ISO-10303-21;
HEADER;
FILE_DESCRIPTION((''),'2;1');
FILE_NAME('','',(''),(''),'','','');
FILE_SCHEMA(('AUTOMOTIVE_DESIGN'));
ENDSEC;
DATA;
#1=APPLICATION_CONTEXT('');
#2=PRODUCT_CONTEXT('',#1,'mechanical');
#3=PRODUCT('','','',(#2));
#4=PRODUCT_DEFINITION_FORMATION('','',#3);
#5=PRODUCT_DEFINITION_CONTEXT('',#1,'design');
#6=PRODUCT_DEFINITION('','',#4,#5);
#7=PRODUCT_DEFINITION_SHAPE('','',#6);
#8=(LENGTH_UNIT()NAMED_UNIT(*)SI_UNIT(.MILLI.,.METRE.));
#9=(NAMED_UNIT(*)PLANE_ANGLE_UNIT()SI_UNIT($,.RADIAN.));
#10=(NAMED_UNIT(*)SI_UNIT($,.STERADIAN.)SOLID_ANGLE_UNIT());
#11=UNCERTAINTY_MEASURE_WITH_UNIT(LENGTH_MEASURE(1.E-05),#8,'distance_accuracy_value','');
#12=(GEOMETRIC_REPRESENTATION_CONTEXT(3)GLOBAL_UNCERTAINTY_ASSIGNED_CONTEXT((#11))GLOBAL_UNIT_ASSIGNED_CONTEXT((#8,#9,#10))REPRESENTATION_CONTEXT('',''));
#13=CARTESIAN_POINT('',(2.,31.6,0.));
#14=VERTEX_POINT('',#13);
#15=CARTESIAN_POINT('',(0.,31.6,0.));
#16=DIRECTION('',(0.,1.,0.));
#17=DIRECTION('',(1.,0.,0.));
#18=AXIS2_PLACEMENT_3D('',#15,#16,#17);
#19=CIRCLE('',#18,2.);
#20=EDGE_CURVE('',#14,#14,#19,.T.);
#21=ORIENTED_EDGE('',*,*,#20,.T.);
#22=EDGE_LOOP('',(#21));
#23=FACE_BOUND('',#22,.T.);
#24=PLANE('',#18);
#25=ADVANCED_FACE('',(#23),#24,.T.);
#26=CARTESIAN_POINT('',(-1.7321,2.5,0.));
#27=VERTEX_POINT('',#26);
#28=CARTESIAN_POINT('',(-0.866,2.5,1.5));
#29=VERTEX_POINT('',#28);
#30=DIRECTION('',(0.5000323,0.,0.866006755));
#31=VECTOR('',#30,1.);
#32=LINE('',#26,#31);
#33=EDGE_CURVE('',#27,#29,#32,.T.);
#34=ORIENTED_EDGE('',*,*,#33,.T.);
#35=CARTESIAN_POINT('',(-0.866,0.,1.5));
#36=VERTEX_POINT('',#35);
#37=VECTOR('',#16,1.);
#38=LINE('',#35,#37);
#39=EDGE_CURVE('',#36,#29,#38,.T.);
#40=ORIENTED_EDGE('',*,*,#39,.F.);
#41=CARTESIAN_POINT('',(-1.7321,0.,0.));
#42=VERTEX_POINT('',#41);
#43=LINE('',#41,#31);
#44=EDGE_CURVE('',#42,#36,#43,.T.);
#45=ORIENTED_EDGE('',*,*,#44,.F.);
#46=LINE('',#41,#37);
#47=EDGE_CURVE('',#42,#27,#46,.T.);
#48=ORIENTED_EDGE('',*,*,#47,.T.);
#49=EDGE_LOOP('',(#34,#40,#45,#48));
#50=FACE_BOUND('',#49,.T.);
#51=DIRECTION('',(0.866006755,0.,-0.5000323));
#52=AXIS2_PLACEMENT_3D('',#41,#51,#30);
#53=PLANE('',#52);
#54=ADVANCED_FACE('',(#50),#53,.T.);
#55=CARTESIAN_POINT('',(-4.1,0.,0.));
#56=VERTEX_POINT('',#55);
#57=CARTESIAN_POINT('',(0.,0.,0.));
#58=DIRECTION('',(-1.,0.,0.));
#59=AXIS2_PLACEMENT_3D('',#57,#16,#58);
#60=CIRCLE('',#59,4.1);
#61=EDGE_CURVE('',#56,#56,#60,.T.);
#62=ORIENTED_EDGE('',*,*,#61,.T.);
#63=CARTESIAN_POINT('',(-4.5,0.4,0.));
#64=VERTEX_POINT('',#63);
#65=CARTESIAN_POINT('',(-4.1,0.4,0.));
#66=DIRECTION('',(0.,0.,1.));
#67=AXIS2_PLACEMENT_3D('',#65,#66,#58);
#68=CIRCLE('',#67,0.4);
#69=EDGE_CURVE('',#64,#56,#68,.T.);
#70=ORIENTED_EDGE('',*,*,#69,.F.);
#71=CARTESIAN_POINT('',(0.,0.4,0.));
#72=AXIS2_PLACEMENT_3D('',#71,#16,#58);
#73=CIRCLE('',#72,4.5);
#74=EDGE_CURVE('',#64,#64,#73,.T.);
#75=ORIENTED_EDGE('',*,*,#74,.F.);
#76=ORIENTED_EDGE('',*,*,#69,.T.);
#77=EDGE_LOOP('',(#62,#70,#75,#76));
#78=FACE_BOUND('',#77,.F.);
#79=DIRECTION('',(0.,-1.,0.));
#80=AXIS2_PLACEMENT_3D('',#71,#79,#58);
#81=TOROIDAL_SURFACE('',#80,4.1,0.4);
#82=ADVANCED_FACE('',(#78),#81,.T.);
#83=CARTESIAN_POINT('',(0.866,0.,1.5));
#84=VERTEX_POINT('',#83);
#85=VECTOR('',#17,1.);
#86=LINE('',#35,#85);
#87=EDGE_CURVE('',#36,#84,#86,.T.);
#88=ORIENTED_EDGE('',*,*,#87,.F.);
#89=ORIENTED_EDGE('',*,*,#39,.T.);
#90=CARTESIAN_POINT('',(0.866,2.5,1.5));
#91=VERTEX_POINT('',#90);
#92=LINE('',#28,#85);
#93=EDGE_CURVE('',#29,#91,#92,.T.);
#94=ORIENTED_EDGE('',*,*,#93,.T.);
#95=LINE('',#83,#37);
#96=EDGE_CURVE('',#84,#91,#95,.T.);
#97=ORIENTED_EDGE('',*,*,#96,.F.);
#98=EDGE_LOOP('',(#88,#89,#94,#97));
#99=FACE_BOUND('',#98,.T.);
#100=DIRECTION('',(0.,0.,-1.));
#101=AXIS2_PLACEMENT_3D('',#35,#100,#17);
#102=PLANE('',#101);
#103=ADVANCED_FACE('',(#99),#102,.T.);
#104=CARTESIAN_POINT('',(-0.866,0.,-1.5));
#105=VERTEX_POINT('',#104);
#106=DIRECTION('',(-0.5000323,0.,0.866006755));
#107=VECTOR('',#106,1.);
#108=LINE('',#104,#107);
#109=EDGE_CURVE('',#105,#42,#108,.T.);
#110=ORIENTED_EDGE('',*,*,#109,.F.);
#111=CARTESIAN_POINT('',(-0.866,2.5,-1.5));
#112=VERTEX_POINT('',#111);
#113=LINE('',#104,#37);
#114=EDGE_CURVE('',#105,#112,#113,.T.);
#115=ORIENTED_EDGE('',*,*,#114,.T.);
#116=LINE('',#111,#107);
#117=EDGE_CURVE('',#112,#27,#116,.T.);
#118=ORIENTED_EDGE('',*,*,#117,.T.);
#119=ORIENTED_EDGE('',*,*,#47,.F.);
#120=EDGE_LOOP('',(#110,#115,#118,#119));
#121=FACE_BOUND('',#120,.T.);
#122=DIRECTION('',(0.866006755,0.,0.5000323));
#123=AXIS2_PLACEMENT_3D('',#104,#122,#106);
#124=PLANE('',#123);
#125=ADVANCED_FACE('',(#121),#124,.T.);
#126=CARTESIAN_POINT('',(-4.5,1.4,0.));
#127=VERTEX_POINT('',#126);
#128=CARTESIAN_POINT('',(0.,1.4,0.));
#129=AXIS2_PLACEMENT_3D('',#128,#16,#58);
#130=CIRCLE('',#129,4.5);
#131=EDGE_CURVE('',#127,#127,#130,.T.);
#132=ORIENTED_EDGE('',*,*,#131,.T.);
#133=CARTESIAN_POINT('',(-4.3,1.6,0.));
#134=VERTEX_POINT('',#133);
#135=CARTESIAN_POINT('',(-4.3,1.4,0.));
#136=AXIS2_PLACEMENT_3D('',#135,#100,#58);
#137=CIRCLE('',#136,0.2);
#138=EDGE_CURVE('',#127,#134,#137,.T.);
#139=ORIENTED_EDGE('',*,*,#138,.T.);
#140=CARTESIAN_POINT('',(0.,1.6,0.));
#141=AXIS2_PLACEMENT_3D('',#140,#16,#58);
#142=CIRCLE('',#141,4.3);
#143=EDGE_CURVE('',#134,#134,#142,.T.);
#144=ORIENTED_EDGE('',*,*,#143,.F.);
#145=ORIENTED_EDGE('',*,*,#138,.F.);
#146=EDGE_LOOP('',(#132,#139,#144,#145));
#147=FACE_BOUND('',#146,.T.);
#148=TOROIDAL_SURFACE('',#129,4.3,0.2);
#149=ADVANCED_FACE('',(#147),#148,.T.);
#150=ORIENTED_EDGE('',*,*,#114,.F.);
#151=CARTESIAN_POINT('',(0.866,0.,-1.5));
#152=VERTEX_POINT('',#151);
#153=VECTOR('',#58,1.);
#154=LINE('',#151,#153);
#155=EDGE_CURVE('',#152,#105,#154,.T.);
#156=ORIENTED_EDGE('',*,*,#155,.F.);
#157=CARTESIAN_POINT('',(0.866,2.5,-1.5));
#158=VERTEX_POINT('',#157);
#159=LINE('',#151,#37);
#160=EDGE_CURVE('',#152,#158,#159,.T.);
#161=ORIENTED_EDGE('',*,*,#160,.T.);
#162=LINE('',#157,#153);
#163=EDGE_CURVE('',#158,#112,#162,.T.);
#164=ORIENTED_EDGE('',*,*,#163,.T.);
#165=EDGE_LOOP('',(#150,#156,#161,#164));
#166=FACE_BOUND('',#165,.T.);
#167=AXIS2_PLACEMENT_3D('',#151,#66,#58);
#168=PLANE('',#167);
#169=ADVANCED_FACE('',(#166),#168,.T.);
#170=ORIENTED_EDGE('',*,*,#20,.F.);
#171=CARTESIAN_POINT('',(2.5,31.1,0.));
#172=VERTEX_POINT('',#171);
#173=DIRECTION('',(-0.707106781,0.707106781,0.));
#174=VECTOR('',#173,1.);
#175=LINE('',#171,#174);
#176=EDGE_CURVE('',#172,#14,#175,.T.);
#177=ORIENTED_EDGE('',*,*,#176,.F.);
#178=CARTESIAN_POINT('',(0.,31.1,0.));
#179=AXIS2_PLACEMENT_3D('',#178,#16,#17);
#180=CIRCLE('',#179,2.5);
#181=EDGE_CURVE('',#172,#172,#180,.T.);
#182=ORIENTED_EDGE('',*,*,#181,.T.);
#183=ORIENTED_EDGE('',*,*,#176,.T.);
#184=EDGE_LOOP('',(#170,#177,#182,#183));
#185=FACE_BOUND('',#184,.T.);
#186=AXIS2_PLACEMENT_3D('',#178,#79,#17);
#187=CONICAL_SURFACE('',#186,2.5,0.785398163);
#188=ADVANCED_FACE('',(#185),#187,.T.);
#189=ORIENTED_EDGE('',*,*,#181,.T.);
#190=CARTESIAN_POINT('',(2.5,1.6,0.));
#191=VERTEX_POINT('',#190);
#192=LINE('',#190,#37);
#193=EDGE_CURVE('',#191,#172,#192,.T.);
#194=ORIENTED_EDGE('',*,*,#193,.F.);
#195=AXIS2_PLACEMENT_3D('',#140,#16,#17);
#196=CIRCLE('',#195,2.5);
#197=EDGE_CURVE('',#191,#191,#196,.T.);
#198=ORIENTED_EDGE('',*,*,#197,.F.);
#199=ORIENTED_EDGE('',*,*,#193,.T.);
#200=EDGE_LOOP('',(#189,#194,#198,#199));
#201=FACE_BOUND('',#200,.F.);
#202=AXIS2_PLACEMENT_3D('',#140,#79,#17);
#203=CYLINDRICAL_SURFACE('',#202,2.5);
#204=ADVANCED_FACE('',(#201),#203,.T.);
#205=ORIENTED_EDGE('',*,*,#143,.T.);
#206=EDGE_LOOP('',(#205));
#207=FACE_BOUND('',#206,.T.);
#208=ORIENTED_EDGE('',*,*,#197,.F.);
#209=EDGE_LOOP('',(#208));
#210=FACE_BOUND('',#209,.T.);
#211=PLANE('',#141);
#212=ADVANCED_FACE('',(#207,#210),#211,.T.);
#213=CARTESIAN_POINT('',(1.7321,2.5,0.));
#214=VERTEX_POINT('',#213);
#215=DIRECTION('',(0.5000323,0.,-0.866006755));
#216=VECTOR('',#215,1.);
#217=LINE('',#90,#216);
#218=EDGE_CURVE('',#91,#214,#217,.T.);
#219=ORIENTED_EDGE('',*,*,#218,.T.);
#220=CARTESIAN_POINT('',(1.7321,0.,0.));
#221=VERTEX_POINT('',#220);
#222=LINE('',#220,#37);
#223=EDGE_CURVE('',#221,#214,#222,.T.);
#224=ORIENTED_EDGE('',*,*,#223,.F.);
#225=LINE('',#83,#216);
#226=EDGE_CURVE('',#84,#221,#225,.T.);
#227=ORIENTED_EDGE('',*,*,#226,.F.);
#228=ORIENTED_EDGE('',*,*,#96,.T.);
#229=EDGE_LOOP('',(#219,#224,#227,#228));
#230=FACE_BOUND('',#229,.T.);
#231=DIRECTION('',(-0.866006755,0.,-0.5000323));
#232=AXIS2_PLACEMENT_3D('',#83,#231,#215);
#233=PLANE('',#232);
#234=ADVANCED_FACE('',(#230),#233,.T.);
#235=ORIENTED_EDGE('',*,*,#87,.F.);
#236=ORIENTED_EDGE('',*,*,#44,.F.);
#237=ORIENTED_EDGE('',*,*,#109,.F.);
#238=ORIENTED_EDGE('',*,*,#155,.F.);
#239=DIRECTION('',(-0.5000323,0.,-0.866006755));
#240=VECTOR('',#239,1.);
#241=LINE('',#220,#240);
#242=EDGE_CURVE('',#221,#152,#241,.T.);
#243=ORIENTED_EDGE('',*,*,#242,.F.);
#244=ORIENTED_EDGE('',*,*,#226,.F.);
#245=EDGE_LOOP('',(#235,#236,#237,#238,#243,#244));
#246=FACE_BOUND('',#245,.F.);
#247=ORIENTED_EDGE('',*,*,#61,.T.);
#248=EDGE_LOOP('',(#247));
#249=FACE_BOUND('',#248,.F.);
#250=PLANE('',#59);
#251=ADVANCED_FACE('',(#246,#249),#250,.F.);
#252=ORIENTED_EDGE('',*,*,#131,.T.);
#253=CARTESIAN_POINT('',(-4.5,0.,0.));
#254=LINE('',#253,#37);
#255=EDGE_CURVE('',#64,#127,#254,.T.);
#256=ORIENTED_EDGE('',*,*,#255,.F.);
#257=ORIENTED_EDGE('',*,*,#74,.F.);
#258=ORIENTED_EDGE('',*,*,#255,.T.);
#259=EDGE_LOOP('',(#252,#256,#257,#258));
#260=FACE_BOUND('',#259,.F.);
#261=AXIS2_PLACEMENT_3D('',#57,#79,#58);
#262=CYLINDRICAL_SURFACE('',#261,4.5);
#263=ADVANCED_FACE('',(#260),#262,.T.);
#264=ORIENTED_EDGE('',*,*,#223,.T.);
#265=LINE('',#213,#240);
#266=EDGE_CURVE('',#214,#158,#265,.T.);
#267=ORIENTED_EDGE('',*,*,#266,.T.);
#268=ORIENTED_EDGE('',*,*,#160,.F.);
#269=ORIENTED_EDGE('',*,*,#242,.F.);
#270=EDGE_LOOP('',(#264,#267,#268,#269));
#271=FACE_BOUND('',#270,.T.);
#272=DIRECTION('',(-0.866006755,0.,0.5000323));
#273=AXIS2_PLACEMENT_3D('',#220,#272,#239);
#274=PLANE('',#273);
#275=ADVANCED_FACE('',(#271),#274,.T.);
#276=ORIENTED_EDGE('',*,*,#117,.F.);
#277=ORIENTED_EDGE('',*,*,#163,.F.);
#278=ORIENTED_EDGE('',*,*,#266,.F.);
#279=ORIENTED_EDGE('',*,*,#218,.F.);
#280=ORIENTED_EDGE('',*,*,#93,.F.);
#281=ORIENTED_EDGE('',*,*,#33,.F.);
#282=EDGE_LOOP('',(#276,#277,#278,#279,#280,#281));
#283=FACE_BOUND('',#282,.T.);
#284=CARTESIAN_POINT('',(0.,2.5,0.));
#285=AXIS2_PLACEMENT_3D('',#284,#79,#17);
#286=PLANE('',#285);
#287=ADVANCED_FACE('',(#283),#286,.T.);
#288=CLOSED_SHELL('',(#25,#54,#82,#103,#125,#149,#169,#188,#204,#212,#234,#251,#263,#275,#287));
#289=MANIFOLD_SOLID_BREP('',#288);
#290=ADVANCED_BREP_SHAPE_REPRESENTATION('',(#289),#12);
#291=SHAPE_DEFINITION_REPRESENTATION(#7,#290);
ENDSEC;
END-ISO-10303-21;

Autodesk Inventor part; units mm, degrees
ref_plane "YZ Plane" through (0, 0, 0) normal (1, 0, 0) x (0, 1, 0)
ref_plane "XZ Plane" through (0, 0, 0) normal (0, 1, 0) x (-1, 0, 0)
ref_plane "XY Plane" through (0, 0, 0) normal (0, 0, 1) x (1, 0, 0)
sketch "Boceto1" plane through (0, 0, 0) normal (0, 1, 0) x (-1, 0, 0)
  circle A0 centre (0, 0) radius 4.5
  dimension "d0" = 9
extrude "Extrusión1" add sketch "Boceto1" along normal blind 1.6
sketch "Boceto2" plane through (0, 1.6, 0) normal (0, 1, 0) x (1, 0, 0)
  circle A0 centre (0, 0) radius 2.5
  dimension "d3" = 5
extrude "Extrusión2" add sketch "Boceto2" along normal blind 30
fillet "Empalme1" radius 0.4 1 edges at (4.5, 0, 0)
fillet "Empalme2" radius 0.2 1 edges at (4.5, 1.6, 0)
sketch "Boceto3" plane through (0, 0, 0) normal (0, -1, 0) x (1, 0, 0)
  line L0 (-1.7321, 0) -> (-0.866, 1.5)
  line L1 (-0.866, 1.5) -> (0.866, 1.5)
  line L2 (0.866, 1.5) -> (1.7321, 0)
  line L3 (1.7321, 0) -> (0.866, -1.5)
  line L4 (0.866, -1.5) -> (-0.866, -1.5)
  line L5 (-0.866, -1.5) -> (-1.7321, 0)
  point P0 (0, 0)
  point P1 (0, 0)
  dimension "d8" = 3
extrude "Extrusión3" cut sketch "Boceto3" against normal blind 2.5
chamfer "Chaflán1" distance 0.5 angle 45 1 edges at (-2.5, 31.6, 0)
thread "Rosca2" size "M5x0.8" class "6g" standard "ANSI Metric M Profile" length 12 offset 17
properties part number "Perno M5x8cabeza plana_" material "Hierro, gris"
